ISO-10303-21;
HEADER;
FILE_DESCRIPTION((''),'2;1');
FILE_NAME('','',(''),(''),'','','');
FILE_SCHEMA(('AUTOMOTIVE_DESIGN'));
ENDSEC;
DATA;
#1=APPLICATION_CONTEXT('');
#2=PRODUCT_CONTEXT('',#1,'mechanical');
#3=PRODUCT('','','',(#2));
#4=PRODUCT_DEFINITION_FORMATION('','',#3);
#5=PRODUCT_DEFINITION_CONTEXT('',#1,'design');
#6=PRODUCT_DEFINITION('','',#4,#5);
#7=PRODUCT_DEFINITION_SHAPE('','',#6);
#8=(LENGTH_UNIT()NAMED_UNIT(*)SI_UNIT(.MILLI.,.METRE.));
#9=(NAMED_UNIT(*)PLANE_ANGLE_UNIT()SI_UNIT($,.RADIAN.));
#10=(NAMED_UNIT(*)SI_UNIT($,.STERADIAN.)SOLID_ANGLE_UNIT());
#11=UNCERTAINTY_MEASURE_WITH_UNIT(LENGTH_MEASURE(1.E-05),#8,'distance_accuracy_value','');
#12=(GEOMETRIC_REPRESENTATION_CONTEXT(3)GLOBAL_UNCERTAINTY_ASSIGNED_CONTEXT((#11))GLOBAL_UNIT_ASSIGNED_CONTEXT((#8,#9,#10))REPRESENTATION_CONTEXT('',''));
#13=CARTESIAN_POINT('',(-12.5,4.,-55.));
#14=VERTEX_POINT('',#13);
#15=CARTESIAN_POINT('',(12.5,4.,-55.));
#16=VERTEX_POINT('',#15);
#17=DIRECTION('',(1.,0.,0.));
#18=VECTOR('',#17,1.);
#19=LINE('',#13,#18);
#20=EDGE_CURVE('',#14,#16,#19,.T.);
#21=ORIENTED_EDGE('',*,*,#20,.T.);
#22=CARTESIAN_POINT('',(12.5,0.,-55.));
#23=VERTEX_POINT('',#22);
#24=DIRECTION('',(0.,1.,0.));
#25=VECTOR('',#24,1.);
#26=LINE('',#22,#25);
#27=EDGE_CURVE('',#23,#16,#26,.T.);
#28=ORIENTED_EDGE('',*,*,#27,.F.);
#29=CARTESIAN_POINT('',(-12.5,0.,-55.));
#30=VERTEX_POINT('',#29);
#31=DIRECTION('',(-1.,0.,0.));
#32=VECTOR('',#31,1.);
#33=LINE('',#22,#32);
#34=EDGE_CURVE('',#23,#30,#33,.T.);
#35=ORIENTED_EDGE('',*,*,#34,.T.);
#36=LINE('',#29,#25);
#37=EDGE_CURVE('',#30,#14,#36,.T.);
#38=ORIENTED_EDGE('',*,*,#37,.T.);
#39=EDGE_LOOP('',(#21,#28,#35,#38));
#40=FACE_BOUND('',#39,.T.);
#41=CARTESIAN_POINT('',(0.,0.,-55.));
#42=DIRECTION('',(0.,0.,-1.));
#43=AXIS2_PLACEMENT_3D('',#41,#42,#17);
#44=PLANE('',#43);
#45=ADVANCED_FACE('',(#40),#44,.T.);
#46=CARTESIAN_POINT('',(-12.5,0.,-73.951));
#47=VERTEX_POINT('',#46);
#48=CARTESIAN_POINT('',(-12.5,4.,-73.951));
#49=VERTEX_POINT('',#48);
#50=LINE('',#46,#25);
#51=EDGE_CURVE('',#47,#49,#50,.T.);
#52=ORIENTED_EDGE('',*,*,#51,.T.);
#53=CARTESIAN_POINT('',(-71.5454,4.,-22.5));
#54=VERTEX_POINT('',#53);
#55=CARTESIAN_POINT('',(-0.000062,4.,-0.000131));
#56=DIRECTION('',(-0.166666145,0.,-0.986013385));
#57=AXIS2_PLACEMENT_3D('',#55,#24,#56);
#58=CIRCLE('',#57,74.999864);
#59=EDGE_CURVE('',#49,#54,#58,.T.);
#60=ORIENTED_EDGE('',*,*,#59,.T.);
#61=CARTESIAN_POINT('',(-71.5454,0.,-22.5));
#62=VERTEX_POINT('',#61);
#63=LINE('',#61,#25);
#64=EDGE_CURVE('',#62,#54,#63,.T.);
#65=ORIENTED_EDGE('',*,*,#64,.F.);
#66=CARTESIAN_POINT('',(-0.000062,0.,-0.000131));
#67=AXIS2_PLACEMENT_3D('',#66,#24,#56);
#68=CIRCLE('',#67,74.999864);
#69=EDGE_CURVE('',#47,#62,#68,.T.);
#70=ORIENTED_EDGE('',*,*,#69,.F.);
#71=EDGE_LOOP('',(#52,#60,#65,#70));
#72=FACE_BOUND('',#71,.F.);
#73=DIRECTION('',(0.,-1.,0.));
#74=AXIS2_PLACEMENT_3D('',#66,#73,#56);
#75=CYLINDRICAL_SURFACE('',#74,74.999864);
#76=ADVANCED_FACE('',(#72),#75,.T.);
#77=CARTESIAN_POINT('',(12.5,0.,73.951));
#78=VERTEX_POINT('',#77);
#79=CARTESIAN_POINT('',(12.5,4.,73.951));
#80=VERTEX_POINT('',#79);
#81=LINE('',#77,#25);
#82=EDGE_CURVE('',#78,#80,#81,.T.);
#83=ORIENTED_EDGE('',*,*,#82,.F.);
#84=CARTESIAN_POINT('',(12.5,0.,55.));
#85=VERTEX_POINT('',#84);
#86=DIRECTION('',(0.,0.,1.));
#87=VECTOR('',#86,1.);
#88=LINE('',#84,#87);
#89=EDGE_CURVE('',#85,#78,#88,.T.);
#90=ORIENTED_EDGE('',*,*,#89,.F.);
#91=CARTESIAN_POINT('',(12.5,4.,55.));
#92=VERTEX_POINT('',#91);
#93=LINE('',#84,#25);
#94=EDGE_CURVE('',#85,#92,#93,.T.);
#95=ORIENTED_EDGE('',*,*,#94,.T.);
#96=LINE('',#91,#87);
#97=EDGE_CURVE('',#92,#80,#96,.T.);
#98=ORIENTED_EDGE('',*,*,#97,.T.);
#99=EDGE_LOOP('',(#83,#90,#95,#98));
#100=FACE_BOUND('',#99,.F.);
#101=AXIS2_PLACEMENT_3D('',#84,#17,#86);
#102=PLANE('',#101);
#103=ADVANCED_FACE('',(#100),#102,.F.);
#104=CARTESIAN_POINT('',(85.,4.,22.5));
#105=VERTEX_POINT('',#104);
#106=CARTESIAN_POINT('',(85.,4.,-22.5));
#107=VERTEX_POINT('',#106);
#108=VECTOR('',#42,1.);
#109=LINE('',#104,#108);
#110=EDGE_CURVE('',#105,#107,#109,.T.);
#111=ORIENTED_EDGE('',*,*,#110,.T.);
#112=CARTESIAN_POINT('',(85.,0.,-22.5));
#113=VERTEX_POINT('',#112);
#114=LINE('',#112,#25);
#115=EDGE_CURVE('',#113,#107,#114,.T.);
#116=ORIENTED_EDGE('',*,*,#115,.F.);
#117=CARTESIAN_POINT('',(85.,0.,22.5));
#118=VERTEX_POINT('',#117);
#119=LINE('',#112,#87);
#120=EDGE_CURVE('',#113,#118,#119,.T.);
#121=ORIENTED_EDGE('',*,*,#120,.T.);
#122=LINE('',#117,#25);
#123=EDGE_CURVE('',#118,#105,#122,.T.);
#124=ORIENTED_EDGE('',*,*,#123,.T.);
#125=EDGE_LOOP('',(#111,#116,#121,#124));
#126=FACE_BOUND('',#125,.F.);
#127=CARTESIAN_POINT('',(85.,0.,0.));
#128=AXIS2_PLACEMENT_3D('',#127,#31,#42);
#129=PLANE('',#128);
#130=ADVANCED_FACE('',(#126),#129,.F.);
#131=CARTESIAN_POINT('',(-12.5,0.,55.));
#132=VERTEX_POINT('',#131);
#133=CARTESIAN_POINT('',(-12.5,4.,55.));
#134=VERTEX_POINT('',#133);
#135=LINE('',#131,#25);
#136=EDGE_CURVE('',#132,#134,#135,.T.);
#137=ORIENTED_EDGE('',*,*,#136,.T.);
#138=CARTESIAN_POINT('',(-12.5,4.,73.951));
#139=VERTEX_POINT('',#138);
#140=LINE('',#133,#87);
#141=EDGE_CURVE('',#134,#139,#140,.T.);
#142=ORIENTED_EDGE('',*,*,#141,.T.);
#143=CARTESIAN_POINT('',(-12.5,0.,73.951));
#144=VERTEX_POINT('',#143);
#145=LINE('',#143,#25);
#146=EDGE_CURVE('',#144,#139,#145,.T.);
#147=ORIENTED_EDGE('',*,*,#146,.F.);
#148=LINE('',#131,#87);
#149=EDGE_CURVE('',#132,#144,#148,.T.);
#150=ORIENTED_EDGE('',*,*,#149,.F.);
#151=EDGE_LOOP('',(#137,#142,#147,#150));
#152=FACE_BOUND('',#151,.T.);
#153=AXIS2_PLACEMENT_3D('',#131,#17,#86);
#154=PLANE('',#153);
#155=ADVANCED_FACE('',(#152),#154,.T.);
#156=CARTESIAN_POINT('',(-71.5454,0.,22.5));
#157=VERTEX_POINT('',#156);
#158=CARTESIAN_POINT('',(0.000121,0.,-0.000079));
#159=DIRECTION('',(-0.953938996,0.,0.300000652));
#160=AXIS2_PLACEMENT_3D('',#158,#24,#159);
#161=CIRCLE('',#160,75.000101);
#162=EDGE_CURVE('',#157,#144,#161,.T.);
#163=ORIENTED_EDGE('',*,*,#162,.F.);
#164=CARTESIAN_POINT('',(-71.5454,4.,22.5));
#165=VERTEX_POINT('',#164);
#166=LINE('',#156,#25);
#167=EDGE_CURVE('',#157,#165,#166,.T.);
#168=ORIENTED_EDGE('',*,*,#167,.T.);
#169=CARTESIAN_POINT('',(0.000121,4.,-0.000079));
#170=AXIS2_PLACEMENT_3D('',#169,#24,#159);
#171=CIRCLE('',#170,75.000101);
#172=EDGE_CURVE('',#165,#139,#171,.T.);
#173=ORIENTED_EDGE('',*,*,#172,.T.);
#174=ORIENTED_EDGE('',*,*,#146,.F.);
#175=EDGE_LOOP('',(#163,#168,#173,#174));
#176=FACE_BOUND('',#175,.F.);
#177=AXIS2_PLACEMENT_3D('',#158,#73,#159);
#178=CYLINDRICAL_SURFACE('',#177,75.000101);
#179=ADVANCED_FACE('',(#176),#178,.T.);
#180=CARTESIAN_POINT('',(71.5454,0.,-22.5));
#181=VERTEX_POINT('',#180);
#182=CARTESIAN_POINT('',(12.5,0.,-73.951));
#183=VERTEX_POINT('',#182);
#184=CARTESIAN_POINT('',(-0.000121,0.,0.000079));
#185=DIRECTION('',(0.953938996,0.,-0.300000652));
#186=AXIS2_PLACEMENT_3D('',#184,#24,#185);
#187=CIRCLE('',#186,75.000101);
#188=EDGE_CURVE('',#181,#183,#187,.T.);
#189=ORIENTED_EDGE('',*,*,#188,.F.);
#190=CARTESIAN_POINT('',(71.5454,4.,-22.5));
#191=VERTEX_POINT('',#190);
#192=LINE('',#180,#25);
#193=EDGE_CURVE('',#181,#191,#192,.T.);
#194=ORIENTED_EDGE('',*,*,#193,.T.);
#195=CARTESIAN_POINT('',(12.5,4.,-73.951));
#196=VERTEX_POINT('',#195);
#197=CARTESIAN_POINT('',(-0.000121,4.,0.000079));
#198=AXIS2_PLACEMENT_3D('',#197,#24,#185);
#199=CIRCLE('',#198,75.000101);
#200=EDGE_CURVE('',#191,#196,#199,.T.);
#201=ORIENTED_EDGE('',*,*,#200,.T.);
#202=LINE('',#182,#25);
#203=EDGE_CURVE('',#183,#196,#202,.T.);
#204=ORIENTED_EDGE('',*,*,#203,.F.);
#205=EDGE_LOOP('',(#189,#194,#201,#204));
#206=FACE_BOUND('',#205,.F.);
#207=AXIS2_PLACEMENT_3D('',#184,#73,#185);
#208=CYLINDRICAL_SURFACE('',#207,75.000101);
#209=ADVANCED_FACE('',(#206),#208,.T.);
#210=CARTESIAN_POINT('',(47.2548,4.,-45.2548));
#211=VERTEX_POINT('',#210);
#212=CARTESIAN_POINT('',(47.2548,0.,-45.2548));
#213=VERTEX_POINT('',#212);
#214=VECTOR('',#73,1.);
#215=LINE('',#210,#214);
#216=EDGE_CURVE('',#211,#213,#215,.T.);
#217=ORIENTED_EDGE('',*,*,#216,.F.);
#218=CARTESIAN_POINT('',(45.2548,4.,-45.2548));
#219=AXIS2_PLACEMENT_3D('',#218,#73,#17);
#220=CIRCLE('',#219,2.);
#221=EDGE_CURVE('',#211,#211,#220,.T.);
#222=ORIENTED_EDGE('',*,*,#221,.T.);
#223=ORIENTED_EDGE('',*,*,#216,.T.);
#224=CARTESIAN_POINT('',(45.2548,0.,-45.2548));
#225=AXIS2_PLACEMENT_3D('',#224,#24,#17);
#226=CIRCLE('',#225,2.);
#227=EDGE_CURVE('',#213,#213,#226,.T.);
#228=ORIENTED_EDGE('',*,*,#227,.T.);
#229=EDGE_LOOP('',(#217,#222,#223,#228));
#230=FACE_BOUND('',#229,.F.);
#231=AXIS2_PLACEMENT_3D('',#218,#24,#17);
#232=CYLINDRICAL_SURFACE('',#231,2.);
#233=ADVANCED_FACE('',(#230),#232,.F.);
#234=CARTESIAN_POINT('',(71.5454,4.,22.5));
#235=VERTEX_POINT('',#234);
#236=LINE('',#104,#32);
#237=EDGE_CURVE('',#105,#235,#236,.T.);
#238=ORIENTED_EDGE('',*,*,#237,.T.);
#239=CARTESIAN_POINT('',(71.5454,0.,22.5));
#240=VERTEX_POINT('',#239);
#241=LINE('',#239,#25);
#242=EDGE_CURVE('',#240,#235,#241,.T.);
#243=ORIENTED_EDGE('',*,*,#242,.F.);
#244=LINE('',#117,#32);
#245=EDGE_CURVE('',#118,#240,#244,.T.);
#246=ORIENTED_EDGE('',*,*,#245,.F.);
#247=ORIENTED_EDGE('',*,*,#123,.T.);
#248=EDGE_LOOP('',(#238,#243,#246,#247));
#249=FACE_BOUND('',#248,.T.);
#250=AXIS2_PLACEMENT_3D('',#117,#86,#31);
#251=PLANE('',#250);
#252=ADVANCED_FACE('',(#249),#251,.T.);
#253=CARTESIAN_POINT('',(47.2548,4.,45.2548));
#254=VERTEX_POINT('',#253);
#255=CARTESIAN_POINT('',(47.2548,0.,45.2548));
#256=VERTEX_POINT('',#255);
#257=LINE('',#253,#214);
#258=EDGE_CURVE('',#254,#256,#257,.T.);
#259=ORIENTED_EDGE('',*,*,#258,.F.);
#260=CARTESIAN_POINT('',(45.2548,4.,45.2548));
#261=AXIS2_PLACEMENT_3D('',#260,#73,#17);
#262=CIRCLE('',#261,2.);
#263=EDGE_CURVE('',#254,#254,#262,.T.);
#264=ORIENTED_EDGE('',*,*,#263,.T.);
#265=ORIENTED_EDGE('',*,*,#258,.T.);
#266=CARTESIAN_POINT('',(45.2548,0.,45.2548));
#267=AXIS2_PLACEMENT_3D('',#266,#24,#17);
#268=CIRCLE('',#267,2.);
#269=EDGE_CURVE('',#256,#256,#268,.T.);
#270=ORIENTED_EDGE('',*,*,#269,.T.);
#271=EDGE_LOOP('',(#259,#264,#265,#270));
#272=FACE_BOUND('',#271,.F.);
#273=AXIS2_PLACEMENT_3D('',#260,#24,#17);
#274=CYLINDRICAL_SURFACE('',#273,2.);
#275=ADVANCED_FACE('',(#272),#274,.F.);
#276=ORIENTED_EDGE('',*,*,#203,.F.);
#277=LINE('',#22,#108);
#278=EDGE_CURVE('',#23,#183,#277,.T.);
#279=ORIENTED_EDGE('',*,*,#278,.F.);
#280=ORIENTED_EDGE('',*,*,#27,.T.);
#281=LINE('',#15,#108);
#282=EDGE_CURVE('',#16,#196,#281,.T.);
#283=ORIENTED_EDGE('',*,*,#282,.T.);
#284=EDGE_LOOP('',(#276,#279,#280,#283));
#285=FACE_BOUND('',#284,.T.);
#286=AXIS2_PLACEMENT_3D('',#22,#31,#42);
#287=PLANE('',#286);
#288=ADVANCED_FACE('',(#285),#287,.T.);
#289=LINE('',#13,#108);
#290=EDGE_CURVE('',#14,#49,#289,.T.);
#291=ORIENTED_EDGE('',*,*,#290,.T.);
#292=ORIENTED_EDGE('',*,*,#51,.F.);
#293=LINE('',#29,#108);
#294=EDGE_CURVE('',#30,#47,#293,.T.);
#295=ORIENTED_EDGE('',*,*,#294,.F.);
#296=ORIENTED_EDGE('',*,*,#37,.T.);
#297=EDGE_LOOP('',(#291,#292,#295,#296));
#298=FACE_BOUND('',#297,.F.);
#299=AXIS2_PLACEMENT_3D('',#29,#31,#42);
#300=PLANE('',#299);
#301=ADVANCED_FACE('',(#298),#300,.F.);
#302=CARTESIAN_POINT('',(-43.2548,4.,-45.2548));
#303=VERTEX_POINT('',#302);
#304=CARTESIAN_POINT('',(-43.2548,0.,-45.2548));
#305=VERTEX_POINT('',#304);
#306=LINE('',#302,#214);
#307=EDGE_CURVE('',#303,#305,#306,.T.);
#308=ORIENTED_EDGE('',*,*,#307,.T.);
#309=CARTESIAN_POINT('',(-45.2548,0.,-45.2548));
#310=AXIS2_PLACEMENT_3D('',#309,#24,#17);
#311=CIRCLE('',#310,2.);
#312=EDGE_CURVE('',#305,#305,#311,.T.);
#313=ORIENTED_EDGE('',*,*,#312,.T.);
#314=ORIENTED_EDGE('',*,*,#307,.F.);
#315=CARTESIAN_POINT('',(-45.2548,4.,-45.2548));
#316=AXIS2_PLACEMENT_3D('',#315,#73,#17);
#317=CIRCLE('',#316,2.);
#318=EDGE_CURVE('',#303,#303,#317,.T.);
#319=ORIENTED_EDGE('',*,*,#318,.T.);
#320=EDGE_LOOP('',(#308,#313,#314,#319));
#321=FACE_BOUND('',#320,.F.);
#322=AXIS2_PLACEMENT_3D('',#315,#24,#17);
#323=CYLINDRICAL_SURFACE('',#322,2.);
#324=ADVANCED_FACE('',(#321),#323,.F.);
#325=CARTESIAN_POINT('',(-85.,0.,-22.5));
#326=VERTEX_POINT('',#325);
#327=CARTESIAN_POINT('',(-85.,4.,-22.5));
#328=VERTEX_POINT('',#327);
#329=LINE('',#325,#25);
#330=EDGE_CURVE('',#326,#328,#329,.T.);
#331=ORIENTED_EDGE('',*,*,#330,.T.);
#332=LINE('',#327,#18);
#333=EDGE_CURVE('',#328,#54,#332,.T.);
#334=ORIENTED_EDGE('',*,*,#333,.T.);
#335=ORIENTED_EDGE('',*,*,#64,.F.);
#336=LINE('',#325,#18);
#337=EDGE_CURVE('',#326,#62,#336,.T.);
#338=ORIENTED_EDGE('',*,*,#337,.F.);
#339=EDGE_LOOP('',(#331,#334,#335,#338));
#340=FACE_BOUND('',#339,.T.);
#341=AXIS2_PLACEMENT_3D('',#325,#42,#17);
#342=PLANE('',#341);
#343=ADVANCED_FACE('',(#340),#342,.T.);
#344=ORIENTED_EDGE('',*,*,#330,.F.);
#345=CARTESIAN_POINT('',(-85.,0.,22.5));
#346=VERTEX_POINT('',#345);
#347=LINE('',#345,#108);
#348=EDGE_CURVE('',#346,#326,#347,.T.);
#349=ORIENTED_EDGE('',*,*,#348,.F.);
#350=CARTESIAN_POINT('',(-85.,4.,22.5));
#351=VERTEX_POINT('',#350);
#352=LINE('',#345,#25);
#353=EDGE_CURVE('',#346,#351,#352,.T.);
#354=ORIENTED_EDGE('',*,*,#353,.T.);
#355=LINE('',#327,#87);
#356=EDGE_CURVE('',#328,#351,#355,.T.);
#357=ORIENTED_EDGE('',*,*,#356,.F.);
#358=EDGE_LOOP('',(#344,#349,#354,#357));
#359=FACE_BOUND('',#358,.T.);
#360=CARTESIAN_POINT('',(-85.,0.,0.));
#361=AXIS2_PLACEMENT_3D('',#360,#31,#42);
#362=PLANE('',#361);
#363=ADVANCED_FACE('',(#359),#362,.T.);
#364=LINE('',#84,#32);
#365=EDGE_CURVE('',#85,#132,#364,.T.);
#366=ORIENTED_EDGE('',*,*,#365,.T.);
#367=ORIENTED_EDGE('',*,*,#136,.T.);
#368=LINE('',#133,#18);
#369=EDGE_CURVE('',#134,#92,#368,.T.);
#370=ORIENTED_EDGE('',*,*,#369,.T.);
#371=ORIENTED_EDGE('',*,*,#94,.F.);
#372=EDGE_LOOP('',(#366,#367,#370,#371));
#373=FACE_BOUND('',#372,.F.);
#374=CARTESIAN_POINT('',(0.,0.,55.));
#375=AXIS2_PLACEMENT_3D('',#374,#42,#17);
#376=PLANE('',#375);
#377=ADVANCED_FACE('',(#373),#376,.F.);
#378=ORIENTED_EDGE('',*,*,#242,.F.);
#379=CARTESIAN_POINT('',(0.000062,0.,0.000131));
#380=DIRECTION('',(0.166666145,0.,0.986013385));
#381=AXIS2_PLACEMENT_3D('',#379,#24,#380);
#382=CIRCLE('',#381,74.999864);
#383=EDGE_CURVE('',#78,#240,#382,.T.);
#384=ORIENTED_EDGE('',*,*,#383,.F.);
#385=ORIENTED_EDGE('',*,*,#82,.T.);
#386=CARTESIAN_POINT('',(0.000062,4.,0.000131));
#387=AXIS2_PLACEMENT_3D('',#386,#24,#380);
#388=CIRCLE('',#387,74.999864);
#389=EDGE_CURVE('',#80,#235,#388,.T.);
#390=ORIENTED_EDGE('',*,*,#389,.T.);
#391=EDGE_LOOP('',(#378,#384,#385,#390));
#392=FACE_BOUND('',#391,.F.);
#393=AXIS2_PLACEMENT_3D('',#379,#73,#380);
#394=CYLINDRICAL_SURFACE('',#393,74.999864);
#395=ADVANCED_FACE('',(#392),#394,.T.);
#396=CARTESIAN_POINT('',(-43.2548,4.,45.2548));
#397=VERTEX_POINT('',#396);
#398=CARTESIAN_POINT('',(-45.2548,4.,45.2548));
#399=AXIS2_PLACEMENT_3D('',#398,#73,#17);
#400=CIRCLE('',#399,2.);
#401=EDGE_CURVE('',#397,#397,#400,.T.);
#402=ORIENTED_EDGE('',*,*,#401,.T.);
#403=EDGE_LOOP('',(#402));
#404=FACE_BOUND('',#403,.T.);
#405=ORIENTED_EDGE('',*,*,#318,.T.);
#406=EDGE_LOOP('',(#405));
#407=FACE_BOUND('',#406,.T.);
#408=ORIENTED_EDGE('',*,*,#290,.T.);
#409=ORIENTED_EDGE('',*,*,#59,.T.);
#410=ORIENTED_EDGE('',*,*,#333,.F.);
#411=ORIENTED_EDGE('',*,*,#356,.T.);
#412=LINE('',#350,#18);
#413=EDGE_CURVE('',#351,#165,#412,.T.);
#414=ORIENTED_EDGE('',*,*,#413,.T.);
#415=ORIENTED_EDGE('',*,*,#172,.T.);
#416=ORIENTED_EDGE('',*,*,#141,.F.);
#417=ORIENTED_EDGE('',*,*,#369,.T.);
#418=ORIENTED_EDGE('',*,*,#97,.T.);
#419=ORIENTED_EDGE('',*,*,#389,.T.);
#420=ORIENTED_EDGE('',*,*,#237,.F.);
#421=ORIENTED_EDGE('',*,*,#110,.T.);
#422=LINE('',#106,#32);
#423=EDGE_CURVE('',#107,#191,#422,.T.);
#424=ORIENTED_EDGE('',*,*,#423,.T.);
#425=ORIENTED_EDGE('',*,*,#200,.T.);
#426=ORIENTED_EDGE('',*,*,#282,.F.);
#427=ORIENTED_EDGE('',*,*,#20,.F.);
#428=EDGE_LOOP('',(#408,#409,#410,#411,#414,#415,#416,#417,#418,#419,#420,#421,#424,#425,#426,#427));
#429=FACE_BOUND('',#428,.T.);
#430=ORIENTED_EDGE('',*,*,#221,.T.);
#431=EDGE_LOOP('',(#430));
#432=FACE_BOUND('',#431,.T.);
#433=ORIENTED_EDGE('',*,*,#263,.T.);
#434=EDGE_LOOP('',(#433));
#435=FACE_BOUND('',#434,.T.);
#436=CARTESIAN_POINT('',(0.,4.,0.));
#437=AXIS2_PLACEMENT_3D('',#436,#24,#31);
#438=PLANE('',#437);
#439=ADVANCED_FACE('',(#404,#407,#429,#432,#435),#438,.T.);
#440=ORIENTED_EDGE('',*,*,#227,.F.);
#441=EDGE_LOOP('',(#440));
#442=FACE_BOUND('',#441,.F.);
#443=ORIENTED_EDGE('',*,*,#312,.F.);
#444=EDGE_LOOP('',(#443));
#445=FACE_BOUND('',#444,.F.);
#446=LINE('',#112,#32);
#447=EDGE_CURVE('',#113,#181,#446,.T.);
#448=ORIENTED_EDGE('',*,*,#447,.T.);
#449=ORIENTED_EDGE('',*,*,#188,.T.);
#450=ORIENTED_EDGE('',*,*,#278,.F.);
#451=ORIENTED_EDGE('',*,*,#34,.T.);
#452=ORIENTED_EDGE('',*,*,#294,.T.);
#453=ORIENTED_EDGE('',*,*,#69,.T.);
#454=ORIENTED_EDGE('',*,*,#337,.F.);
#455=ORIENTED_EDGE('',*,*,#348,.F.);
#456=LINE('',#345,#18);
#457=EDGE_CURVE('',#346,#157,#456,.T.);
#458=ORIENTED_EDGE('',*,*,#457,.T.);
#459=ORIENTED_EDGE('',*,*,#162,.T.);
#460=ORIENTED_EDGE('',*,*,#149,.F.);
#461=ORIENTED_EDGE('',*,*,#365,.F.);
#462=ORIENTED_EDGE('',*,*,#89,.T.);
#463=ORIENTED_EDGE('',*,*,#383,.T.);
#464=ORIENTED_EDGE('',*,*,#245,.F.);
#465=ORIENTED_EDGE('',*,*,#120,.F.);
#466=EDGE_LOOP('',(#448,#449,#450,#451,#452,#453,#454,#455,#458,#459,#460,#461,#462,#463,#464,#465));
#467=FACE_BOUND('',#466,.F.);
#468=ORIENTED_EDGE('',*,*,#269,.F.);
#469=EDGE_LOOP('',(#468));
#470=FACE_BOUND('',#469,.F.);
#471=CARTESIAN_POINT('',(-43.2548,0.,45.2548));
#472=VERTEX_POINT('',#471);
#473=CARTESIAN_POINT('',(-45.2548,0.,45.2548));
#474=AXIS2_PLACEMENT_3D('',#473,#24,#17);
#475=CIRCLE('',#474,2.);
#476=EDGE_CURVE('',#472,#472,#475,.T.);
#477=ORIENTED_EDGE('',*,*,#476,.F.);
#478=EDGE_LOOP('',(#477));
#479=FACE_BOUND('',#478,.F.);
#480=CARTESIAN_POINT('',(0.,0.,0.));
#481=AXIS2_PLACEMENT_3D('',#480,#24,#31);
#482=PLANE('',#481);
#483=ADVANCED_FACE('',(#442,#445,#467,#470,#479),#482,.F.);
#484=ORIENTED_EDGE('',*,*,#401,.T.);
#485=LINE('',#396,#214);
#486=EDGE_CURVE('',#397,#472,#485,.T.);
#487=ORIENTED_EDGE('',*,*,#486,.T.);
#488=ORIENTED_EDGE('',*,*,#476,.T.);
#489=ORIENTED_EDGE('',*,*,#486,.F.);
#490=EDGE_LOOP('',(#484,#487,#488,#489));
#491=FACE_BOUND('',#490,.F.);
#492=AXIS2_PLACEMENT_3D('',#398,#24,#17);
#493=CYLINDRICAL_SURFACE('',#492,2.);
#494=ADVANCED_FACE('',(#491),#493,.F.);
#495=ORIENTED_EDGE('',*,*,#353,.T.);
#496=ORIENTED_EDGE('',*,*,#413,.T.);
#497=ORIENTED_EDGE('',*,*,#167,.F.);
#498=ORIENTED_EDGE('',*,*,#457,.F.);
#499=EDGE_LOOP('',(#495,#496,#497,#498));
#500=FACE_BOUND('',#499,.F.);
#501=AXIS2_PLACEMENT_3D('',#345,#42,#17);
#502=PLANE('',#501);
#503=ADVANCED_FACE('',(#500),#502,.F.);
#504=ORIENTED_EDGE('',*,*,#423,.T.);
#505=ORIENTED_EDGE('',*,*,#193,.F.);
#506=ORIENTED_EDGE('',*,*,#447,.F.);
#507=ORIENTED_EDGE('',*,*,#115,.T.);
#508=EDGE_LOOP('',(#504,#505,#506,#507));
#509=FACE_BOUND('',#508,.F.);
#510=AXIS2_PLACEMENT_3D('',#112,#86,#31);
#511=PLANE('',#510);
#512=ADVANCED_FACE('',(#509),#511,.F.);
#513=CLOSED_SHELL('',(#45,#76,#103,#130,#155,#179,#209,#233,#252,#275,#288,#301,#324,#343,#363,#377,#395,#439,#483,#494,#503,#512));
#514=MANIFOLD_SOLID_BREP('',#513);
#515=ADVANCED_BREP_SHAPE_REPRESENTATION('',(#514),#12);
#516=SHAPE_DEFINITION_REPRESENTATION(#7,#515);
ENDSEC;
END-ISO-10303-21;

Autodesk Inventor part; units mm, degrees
ref_plane "YZ Plane" through (0, 0, 0) normal (1, 0, 0) x (0, 1, 0)
ref_plane "XZ Plane" through (0, 0, 0) normal (0, 1, 0) x (-1, 0, 0)
ref_plane "XY Plane" through (0, 0, 0) normal (0, 0, 1) x (1, 0, 0)
sketch "Boceto1" plane through (0, 0, 0) normal (0, 1, 0) x (-1, 0, 0)
  line L0 (0, -55) -> (12.5, -55)
  line L1 (12.5, -55) -> (12.5, -73.951)
  line L2 (0, -55) -> (-12.5, -55)
  line L3 (-12.5, -55) -> (-12.5, -73.951)
  line L4 (0, 55) -> (12.5, 55)
  line L5 (12.5, 55) -> (12.5, 73.951)
  line L6 (0, 55) -> (-12.5, 55)
  line L7 (-12.5, 55) -> (-12.5, 73.951)
  line L8 (85, 0) -> (85, -22.5)
  line L9 (85, -22.5) -> (71.5454, -22.5)
  line L10 (85, 0) -> (85, 22.5)
  line L11 (85, 22.5) -> (71.5454, 22.5)
  line L12 (-85, 0) -> (-85, -22.5)
  line L13 (-85, -22.5) -> (-71.5454, -22.5)
  line L14 (-85, 0) -> (-85, 22.5)
  line L15 (-85, 22.5) -> (-71.5454, 22.5)
  arc A0 (12.5, -73.951) -> (71.5454, -22.5) centre (0, 0) ccw
  arc A1 (71.5454, 22.5) -> (12.5, 73.951) centre (0, 0) ccw
  arc A2 (-12.5, 73.951) -> (-71.5454, 22.5) centre (0, 0) ccw
  arc A3 (-71.5454, -22.5) -> (-12.5, -73.951) centre (0, 0) ccw
  dimension "d2" = 12.5
  dimension "d4" = 22.5
extrude "Extrusión1" add sketch "Boceto1" along normal blind 4
sketch "Boceto2" plane through (0, 4, 0) normal (0, 1, 0) x (1, 0, 0)
  circle A0 centre (0, 0) radius 64
  line L0 (0, 0) -> (64, 0) construction
  circle A1 centre (45.2548, 45.2548) radius 2
  circle A2 centre (-45.2548, 45.2548) radius 2
  circle A3 centre (-45.2548, -45.2548) radius 2
  circle A4 centre (45.2548, -45.2548) radius 2
  dimension "d9" = 4
  dimension "d12" = 360
extrude "Extrusión2" cut sketch "Boceto2" against normal blind 4 contours A1 A0 | A0 A1 | A4 A0 | A0 A4 | A2 A0 | A0 A2 | A3 A0 | A0 A3
properties part number "Base_inferior"
